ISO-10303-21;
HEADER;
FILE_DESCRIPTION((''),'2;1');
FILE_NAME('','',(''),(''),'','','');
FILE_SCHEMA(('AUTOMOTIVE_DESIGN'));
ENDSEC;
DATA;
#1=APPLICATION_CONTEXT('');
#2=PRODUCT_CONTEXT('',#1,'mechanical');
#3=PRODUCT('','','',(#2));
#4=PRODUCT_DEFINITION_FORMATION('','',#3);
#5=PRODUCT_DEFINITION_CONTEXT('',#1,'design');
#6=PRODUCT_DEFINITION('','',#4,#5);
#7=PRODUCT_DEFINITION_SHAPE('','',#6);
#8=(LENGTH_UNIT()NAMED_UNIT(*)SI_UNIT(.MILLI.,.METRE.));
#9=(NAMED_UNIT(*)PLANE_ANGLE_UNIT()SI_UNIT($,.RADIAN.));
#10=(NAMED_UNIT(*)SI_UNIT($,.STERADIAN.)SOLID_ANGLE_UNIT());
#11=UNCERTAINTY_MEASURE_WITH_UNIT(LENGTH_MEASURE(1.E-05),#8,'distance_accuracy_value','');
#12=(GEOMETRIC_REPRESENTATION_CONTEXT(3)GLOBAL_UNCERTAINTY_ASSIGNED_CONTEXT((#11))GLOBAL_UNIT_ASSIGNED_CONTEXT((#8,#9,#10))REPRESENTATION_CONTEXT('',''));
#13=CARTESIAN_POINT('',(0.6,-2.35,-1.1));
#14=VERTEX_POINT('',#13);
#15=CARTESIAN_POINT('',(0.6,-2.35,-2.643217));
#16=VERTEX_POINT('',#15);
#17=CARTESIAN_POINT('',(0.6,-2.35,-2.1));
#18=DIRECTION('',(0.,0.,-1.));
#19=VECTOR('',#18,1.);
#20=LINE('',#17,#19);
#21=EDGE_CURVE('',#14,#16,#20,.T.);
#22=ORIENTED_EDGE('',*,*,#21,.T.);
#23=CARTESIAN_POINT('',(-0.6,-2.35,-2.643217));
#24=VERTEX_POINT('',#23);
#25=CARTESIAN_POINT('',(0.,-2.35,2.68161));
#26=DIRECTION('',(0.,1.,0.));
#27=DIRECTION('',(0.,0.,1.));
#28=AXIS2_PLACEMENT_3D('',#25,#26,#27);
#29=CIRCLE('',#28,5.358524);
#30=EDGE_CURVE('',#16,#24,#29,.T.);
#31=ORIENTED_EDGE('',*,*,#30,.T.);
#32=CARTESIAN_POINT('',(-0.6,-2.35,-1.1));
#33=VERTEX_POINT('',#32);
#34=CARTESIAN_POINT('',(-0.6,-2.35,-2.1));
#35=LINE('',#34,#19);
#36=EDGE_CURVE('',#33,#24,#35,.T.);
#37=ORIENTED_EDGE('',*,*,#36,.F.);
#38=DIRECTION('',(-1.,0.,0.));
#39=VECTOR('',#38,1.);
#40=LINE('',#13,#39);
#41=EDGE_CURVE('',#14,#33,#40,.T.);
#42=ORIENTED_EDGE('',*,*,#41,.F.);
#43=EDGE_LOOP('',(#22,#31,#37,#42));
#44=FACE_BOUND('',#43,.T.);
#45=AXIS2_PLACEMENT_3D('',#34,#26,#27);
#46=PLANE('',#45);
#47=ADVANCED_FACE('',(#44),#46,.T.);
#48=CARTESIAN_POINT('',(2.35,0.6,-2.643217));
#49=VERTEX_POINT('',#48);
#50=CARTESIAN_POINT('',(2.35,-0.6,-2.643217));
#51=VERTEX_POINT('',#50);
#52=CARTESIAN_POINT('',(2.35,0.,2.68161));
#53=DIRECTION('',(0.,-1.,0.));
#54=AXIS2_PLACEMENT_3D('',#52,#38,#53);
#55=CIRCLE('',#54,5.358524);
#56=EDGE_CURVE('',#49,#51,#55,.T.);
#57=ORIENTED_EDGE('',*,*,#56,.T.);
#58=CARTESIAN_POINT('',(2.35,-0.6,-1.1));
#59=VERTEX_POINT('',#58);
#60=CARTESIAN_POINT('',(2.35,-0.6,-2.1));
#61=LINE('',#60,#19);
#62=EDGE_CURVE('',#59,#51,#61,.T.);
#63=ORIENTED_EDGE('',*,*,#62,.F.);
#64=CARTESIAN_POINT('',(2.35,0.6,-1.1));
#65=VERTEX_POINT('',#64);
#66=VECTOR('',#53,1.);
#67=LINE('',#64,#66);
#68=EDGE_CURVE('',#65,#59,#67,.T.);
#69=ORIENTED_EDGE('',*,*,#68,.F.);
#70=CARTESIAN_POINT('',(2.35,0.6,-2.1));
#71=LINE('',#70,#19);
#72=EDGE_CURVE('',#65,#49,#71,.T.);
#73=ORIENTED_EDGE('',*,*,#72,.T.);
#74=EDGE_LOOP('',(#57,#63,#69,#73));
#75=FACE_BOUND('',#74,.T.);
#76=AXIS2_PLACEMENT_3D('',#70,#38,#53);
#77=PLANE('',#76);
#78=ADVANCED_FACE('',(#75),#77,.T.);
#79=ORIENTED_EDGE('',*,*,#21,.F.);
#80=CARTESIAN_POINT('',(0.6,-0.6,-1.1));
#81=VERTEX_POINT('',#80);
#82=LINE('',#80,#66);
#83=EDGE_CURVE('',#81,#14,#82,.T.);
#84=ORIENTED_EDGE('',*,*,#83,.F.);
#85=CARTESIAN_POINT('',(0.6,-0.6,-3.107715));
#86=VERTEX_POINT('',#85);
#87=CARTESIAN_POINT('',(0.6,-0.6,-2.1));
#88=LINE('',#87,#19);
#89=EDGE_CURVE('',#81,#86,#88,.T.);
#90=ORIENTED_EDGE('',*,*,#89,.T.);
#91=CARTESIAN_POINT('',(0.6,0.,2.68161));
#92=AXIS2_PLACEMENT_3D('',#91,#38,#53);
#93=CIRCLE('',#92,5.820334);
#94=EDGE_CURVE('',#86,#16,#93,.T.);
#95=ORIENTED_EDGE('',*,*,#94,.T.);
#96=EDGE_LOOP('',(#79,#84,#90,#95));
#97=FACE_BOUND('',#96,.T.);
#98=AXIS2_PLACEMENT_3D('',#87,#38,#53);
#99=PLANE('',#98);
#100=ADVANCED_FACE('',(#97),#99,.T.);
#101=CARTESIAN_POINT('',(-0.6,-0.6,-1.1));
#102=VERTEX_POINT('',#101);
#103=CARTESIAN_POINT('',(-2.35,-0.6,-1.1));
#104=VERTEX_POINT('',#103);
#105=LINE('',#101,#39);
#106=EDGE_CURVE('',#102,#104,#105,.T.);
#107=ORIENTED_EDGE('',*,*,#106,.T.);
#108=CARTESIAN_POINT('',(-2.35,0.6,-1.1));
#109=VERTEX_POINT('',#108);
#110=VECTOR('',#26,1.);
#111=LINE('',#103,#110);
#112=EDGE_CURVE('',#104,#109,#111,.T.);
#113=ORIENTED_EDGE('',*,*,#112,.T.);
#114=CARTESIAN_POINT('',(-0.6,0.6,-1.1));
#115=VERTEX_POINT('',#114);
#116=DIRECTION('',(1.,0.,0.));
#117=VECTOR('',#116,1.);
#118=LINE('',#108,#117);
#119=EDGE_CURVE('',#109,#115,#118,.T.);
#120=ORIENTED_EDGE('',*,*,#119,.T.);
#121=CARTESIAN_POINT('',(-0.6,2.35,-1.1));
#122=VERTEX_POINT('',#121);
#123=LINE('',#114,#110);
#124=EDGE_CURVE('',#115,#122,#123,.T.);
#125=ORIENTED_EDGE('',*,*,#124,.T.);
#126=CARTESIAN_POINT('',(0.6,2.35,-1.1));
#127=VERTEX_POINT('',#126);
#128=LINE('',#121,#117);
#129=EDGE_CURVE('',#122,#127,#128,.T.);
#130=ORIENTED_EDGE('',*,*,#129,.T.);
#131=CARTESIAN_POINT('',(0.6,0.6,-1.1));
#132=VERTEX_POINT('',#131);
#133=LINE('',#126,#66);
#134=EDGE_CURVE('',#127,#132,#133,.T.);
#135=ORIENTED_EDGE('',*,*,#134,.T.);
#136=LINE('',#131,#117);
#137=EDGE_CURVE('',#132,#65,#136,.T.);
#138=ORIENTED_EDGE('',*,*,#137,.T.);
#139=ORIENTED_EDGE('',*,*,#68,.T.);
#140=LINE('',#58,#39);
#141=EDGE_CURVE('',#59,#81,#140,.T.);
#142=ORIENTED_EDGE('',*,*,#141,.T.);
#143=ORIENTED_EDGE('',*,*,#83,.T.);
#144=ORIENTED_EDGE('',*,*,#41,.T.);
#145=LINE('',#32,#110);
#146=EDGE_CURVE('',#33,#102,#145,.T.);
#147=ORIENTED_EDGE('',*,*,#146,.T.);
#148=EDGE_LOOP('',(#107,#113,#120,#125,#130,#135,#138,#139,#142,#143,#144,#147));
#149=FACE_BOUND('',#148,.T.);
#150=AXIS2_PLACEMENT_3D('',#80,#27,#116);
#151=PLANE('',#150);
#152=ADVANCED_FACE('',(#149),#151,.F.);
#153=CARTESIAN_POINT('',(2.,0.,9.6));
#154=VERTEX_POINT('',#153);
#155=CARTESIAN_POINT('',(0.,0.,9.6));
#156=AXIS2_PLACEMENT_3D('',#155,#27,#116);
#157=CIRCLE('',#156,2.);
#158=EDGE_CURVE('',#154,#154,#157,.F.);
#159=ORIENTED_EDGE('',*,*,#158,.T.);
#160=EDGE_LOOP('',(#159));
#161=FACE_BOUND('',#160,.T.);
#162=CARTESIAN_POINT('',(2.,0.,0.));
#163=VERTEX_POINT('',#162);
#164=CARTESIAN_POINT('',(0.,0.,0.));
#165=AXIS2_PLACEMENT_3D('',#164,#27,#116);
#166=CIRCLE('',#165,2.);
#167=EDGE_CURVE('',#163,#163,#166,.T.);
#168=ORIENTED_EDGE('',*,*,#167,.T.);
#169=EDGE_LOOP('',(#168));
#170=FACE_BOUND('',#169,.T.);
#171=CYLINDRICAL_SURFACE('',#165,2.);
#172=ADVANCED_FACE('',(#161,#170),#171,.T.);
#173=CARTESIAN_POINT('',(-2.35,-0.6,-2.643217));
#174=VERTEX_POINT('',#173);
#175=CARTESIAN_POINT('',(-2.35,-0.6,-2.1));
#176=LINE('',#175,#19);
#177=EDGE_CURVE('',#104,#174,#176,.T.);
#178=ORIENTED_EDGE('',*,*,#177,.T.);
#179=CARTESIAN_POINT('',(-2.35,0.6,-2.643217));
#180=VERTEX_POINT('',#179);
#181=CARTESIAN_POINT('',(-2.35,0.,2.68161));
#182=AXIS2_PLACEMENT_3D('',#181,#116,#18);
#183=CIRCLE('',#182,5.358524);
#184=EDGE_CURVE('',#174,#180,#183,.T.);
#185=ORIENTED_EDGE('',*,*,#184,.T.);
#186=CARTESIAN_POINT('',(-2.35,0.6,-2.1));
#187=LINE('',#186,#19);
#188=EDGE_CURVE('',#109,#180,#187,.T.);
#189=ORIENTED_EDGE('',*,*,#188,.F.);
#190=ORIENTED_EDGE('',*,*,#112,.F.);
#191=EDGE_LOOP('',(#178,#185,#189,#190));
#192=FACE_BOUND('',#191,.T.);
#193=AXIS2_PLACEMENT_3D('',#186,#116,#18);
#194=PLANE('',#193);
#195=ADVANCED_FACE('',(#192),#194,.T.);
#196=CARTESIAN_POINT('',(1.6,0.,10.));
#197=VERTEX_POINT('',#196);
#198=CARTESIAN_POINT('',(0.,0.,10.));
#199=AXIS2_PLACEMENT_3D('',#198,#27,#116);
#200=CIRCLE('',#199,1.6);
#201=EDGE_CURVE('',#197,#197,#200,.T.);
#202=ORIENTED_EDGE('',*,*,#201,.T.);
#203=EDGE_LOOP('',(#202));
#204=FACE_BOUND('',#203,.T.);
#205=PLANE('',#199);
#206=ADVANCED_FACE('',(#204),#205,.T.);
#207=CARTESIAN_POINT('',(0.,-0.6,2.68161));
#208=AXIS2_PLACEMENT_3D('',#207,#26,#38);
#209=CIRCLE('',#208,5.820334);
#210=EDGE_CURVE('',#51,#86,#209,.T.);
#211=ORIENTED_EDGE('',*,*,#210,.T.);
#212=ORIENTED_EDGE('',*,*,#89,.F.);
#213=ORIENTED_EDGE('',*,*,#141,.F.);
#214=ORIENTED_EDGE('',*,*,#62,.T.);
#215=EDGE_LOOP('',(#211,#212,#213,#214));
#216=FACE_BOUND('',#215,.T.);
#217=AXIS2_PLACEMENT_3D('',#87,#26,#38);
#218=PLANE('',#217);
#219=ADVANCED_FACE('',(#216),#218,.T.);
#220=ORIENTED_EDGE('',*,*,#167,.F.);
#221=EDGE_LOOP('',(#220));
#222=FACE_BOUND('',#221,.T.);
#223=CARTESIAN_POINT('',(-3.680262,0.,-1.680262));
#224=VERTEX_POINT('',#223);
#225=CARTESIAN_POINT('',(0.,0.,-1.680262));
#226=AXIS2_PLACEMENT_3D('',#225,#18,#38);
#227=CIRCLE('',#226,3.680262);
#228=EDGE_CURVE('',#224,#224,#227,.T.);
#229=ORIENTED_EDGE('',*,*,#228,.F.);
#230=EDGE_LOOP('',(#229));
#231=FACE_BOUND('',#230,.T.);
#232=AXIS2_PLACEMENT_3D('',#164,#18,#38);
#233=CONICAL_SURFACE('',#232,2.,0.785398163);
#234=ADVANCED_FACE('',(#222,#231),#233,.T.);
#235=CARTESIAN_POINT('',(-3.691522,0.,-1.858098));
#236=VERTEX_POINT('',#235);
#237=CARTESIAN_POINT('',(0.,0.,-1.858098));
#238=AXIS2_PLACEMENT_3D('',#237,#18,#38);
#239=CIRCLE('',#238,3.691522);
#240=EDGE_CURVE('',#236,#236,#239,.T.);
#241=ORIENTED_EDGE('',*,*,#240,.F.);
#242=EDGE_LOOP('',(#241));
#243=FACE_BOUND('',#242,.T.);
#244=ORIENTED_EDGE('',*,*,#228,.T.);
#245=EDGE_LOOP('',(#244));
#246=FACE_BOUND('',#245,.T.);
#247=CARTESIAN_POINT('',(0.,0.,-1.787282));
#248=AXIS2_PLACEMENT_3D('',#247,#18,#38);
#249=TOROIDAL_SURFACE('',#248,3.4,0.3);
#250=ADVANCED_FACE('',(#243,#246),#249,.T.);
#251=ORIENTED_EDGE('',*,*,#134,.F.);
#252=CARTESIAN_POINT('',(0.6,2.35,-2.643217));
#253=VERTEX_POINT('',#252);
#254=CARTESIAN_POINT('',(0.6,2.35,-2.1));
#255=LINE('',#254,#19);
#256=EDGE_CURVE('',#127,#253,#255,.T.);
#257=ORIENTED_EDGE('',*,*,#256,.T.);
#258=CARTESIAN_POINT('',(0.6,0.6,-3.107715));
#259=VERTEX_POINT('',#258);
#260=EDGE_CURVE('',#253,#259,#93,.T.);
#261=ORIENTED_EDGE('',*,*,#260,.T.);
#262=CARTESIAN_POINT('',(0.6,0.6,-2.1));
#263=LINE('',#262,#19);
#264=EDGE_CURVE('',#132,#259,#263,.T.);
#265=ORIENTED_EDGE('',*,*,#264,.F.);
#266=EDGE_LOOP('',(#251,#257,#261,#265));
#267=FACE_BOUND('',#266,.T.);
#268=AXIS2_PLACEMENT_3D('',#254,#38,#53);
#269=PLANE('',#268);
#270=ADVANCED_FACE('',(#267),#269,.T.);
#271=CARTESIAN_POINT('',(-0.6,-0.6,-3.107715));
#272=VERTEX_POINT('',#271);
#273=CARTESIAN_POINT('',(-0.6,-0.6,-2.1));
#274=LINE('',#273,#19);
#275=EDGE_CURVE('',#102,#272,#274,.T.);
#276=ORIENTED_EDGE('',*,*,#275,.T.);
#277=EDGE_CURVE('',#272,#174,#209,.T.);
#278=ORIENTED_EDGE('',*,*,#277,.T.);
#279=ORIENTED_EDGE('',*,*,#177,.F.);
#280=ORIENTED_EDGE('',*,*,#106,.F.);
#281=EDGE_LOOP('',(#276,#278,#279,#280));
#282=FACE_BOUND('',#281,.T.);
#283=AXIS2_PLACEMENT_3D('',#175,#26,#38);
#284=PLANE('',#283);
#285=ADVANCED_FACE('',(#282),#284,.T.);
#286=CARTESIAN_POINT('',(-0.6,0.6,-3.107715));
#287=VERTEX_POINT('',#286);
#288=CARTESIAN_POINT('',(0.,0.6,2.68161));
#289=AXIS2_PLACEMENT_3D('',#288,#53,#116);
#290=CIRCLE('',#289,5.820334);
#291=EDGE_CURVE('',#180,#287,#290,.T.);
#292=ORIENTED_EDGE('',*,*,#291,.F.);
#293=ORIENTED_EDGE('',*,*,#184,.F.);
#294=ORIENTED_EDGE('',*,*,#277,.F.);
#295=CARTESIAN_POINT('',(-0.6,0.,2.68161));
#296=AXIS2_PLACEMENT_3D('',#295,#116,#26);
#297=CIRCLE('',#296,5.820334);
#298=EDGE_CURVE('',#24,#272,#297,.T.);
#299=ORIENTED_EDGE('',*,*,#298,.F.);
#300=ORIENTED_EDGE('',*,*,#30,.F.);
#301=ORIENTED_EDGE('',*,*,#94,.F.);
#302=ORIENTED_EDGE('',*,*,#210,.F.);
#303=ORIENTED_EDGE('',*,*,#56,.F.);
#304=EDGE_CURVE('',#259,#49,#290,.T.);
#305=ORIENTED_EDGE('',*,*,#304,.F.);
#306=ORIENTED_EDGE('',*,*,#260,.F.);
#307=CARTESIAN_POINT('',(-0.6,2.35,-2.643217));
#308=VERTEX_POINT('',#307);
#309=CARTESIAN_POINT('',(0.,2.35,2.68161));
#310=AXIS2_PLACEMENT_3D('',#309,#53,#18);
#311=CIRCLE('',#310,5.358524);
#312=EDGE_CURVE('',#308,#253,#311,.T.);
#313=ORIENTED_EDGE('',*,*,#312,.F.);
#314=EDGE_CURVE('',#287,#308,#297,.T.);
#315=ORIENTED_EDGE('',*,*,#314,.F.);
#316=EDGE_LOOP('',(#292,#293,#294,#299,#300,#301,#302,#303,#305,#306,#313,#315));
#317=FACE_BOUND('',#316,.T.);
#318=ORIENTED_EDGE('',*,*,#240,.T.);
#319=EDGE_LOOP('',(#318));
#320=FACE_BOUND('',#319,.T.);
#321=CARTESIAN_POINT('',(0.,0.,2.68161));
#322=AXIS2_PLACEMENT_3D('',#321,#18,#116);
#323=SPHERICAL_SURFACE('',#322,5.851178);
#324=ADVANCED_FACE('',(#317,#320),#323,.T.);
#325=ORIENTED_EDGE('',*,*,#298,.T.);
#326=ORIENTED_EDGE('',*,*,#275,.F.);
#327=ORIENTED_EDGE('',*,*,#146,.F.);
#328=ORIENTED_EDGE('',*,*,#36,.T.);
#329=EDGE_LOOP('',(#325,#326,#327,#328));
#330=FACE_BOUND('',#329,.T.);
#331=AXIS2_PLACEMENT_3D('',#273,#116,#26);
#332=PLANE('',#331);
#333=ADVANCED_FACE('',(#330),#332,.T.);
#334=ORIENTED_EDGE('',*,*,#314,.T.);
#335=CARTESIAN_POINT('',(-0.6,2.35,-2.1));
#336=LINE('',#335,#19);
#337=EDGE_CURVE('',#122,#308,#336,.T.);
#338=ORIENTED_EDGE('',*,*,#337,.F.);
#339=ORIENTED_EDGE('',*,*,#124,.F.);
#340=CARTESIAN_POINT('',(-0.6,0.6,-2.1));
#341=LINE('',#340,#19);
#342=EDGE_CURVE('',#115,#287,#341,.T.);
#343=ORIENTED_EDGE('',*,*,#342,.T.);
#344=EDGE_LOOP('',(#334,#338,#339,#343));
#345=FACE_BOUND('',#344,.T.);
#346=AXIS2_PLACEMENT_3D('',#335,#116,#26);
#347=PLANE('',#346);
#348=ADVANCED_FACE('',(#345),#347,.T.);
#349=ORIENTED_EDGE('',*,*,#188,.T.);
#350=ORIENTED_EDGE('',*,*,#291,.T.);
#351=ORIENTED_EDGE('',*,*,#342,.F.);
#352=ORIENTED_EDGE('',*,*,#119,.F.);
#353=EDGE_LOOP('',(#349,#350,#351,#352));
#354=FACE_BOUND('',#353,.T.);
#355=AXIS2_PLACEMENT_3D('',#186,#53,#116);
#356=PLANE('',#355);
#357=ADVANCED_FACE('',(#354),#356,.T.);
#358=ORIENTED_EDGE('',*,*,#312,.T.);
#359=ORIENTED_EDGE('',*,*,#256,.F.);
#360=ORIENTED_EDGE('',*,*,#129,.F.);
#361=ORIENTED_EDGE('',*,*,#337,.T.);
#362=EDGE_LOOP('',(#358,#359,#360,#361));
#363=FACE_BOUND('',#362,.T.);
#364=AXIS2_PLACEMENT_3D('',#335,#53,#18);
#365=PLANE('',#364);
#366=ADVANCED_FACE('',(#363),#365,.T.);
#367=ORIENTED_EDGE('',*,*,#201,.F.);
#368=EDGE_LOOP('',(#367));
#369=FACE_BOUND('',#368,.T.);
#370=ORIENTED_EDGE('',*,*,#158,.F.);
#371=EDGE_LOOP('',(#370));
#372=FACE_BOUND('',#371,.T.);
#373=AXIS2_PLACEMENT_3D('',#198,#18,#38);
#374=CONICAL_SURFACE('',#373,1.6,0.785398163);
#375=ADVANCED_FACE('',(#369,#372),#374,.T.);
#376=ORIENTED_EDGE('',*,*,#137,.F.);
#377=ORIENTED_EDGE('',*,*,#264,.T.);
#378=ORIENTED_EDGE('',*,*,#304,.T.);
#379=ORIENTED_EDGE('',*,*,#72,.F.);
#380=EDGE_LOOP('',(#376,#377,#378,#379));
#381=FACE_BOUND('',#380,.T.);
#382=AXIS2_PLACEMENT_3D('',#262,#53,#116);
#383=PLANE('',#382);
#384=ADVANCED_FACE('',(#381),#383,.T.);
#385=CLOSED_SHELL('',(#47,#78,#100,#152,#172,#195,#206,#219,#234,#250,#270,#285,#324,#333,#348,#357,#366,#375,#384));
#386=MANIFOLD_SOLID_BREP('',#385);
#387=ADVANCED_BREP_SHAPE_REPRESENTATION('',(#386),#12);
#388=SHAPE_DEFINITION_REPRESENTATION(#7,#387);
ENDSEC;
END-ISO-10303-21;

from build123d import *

# Parameters (mm, degrees)
ENLEV_MAT_EXTRU_1_DEPTH      = 1
ENLEV_MAT_EXTRU_1_DEPTH_BACK = 10
ESQUISSE3_W                  = 2
ESQUISSE3_H                  = 10
CHANFREIN1_SIZE              = 0.4
ENL_V_MAT_EXTRU_1_DEPTH      = 1


with BuildPart() as part:
    # Esquisse1 → Base-Révolution (revolve)
    with BuildSketch(Plane(origin=(0, 0, 0), x_dir=(1, 0, 0), z_dir=(0, 1, 0))):
        with BuildLine():
            Line((0, 0), (2, 0))
            Line((2, 0), (3.680261609, 1.680261609))
            ThreePointArc((3.680261609, 1.680261609), (3.699400389, 1.768324283), (3.691522185, 1.858097672))
            ThreePointArc((3.691522185, 1.858097672), (1.958780857, 2.831960417), (0, 3.169567743))
            Line((0, 3.169567743), (0, 0))
        make_face()
    revolve(axis=Axis((0, 0, 0), (0, 0, -1)))

    # Esquisse2 → Enlev. mat.-Extru.1 (cut, two sides: drawn at the far end of the back side and taken through both)
    with BuildSketch(Plane.XY.offset(-3.1).offset(-ENLEV_MAT_EXTRU_1_DEPTH_BACK)):
        Polygon((0.6, -0.6), (0.6, -2.35), (-0.6, -2.35), (-0.6, -0.6), (-2.35, -0.6), (-2.35, 0.6), (-0.6, 0.6), (-0.6, 2.35), (0.6, 2.35), (0.6, 0.6), (2.35, 0.6), (2.35, -0.6), align=None)
    extrude(amount=ENLEV_MAT_EXTRU_1_DEPTH + ENLEV_MAT_EXTRU_1_DEPTH_BACK, mode=Mode.SUBTRACT)

    # Esquisse3 → Boss.-Révol.1 (revolve)
    with BuildSketch(Plane(origin=(0, 0, 0), x_dir=(1, 0, 0), z_dir=(0, 1, 0))):
        with Locations((1, -5)):
            Rectangle(ESQUISSE3_W, ESQUISSE3_H)
    revolve(axis=Axis((0, 0, 0), (0, 0, 1)))

    # Chanfrein1
    chanfrein1_edges = [part.edges().sort_by_distance(p)[0] for p in [
        (-2, 0, 10),
    ]]
    chamfer(chanfrein1_edges, length=CHANFREIN1_SIZE)

    # Esquisse6 → Enlèv. mat.-Extru.1 (cut)
    with BuildSketch(Plane(origin=(0, 0, -2.1), x_dir=(-1, 0, 0), z_dir=(0, 0, -1))):
        Polygon((2.35, 0.6), (0.6, 0.6), (0.6, 2.35), (-0.6, 2.35), (-0.6, 0.6), (-2.35, 0.6), (-2.35, -0.6), (-0.6, -0.6), (-0.6, -2.35), (0.6, -2.35), (0.6, -0.6), (2.35, -0.6), align=None)
    extrude(amount=-ENL_V_MAT_EXTRU_1_DEPTH, mode=Mode.SUBTRACT)


solid = part.part
